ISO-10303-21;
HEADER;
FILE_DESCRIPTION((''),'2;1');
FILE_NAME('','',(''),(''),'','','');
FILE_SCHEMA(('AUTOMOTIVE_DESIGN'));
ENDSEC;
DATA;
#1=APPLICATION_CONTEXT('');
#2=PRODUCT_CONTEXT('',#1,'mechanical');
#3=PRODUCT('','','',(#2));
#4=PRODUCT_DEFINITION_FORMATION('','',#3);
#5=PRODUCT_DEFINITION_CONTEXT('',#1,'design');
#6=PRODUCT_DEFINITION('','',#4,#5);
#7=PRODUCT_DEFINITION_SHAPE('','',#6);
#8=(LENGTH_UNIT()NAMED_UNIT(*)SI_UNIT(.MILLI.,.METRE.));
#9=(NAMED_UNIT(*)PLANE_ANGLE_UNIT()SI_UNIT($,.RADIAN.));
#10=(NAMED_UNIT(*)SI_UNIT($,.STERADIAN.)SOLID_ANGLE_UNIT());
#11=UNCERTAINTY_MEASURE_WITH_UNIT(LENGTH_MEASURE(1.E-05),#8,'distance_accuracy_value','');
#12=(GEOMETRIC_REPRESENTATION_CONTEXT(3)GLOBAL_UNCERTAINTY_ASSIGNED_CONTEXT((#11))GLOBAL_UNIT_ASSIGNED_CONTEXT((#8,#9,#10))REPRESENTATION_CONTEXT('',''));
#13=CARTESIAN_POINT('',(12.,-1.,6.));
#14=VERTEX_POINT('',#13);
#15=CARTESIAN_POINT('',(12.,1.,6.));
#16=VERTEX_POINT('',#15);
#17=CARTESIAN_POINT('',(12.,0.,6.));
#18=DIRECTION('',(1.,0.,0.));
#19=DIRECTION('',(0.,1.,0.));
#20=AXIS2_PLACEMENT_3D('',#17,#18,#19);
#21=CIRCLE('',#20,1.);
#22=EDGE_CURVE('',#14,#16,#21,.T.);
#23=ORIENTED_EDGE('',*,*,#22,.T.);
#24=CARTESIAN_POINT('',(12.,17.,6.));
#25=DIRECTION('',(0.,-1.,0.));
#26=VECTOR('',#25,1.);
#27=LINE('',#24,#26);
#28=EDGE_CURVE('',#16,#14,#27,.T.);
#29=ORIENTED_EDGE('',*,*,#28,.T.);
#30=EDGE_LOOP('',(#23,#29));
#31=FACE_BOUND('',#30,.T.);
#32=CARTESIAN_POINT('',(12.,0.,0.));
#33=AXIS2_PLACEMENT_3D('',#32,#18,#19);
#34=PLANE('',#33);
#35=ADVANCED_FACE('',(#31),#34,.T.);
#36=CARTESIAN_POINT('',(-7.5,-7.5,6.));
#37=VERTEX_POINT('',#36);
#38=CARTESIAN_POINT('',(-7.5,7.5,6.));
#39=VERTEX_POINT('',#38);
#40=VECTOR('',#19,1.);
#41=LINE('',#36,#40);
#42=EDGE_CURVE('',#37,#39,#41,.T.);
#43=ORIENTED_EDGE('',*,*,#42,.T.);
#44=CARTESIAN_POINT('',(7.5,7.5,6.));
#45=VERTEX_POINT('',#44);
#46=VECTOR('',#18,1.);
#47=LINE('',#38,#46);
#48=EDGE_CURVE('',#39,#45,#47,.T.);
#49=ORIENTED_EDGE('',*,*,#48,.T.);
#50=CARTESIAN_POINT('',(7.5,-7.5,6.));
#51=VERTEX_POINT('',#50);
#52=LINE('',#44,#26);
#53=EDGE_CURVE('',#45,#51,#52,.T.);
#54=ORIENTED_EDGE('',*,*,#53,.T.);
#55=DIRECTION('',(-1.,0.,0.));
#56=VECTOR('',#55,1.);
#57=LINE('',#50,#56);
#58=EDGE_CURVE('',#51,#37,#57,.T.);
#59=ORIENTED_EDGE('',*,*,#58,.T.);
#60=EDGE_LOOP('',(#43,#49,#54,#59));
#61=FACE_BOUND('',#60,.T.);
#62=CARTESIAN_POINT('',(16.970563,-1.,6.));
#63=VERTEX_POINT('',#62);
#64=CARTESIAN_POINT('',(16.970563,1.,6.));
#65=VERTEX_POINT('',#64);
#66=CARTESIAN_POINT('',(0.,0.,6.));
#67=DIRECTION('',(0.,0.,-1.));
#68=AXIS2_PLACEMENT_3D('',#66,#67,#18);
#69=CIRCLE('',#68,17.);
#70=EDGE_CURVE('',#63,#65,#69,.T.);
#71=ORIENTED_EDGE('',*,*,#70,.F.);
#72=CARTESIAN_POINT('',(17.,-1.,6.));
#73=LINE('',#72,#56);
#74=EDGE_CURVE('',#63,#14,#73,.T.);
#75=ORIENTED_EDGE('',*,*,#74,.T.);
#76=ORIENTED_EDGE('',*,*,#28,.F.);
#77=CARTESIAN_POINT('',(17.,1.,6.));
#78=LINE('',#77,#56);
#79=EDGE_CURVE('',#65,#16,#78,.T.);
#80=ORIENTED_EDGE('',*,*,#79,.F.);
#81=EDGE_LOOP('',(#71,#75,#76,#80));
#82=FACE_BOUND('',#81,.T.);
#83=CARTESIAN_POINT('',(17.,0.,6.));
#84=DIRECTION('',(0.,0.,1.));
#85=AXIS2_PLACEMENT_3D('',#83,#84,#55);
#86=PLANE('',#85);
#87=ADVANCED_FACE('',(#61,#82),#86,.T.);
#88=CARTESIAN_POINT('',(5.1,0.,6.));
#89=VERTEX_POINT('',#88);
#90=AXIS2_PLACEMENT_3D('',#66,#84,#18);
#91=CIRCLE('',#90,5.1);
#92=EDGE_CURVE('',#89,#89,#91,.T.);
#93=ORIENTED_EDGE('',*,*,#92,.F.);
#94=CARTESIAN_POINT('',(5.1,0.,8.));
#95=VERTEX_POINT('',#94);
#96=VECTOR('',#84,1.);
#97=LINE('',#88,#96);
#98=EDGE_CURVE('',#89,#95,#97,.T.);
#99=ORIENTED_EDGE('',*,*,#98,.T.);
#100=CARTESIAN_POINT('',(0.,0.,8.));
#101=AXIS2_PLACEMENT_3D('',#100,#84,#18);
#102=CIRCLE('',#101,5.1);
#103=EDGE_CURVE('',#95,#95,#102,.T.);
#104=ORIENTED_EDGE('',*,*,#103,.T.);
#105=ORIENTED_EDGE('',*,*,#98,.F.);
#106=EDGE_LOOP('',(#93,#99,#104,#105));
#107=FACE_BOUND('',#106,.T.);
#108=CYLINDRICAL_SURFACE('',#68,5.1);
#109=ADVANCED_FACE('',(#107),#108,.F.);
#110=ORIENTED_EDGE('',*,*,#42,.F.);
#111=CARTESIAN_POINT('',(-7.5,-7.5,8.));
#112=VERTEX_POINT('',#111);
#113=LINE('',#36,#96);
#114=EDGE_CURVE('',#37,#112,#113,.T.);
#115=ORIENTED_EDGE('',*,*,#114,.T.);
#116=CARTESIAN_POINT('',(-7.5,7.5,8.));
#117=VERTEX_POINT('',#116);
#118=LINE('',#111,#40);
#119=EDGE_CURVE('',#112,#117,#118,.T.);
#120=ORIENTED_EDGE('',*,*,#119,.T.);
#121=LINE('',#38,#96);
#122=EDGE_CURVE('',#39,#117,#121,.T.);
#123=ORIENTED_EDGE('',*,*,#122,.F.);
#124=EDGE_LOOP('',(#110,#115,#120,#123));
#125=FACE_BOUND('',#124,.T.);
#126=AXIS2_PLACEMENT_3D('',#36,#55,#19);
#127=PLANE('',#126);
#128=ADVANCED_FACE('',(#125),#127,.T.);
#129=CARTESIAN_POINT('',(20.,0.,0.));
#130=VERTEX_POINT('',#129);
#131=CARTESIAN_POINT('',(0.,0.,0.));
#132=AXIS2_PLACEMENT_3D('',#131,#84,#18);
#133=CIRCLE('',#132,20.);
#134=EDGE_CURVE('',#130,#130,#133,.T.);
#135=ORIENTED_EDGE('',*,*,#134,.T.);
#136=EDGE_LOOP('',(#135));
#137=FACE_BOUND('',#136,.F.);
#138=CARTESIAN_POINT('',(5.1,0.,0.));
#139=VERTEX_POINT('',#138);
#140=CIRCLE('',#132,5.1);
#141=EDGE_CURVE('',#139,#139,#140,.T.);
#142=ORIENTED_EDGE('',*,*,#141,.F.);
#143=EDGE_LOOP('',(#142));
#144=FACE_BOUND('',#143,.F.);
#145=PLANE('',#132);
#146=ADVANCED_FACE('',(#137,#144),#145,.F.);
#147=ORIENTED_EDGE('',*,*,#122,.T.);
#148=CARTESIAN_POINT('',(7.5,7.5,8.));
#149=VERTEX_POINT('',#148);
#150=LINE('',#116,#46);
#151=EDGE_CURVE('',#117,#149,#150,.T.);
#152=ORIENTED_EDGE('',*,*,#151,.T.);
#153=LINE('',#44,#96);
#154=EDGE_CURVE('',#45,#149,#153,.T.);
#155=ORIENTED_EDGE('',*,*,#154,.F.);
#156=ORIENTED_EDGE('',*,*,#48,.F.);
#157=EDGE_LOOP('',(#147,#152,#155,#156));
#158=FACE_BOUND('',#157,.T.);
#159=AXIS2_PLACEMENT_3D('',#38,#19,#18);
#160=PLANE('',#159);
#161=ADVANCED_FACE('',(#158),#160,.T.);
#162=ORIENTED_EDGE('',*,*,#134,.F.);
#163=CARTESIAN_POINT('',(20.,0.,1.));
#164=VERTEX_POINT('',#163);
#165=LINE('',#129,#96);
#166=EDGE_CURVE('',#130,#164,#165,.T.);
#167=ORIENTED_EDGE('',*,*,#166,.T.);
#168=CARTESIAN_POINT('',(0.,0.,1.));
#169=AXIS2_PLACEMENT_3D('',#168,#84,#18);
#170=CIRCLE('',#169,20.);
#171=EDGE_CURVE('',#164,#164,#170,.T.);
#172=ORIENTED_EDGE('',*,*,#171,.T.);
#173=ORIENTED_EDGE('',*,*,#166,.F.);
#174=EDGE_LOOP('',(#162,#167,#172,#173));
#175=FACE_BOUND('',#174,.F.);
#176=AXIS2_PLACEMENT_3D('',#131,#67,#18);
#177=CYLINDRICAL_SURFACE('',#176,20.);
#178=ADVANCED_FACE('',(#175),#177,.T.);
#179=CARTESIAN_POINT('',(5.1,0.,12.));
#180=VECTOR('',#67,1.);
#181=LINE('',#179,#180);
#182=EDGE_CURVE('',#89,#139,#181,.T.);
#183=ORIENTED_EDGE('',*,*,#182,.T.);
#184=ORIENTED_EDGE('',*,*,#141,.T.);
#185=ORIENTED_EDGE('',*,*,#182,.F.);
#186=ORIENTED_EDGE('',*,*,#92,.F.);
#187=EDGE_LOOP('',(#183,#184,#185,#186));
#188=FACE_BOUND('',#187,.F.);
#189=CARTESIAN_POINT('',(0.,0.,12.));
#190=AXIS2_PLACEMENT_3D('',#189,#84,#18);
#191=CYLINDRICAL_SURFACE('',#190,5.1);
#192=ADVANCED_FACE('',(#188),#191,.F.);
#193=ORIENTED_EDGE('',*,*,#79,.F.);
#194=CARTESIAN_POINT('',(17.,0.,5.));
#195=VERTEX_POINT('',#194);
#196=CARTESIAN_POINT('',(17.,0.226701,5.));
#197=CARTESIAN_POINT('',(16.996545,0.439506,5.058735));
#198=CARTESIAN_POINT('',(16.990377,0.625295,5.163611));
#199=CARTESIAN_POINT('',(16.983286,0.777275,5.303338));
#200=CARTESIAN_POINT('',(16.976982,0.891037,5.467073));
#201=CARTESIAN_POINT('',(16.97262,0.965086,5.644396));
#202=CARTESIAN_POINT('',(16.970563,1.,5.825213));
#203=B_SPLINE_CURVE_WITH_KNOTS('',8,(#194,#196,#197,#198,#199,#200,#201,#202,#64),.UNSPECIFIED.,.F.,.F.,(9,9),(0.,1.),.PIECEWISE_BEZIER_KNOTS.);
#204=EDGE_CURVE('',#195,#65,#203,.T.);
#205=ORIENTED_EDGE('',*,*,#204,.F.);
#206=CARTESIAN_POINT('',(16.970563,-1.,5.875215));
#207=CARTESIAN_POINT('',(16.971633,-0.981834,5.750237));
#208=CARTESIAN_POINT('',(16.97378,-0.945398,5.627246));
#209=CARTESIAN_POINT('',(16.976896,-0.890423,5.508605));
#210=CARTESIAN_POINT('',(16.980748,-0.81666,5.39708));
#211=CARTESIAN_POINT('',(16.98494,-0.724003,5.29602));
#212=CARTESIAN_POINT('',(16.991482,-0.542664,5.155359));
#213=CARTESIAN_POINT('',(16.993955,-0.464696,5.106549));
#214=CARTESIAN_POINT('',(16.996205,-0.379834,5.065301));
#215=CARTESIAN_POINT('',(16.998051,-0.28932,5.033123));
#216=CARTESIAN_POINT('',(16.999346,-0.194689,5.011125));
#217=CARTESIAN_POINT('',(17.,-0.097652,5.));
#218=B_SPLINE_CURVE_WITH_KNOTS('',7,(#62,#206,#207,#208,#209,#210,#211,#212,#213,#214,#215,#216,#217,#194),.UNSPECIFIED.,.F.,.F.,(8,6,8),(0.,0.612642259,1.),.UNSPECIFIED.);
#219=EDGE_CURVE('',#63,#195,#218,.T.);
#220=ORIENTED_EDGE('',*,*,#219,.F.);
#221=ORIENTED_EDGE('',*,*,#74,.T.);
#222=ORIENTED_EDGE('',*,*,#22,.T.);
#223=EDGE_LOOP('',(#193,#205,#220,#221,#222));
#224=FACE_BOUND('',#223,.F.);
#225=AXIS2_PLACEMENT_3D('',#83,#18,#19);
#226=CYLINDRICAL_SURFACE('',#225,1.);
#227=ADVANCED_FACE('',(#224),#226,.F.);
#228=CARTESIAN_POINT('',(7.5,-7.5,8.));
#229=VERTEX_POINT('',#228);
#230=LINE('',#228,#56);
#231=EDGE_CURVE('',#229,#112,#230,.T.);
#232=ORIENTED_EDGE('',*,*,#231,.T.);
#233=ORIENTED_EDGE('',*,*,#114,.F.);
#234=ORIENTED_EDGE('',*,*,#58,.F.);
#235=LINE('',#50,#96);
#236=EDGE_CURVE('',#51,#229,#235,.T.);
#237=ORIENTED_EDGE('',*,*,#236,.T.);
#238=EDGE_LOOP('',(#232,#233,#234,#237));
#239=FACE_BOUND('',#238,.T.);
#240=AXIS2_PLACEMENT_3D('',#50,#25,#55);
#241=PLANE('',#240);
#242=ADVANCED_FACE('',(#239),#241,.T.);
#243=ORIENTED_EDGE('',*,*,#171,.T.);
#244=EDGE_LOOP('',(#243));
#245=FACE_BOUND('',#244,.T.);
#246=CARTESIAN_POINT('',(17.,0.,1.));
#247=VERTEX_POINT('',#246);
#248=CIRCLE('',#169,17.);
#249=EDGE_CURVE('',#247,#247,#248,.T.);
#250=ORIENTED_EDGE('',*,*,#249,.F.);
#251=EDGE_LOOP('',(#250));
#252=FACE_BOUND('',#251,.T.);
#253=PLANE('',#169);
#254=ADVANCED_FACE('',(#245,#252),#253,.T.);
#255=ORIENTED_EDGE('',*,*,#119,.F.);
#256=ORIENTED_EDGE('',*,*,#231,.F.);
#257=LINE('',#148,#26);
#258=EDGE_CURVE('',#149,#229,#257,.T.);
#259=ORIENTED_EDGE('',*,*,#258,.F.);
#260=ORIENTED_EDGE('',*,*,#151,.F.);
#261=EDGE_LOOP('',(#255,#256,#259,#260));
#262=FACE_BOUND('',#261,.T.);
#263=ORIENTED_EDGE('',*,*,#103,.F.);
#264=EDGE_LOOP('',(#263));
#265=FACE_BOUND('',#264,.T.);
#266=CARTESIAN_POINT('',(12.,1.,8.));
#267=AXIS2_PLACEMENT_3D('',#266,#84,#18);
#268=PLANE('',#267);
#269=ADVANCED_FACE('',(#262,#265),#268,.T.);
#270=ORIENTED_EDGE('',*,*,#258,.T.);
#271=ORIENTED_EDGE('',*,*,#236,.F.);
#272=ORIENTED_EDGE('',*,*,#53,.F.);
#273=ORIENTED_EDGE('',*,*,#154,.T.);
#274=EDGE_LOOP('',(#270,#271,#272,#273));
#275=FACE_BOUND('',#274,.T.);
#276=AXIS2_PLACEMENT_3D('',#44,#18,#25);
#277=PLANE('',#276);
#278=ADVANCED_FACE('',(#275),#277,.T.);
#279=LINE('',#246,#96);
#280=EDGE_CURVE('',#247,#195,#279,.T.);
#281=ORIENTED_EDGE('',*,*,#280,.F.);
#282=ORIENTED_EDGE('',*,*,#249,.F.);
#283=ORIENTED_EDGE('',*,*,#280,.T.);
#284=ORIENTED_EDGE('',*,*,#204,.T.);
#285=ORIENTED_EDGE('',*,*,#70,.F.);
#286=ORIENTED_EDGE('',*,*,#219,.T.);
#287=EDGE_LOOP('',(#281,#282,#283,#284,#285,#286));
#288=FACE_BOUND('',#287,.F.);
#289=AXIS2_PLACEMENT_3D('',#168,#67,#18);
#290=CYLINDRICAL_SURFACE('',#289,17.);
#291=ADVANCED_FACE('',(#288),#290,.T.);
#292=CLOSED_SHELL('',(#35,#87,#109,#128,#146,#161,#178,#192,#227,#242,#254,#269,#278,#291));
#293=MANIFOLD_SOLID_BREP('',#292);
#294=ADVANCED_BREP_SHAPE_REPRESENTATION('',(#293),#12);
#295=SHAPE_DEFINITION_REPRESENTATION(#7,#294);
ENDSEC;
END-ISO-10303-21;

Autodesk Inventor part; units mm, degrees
ref_plane "XZ Plane" through (0, 0, 0) normal (0, 1, 0) x (-1, 0, 0)
ref_plane "XY Plane" through (0, 0, 0) normal (0, 0, 1) x (1, 0, 0)
sketch "Skizze1" plane through (0, 0, 0) normal (0, 0, 1) x (1, 0, 0)
  circle A0 centre (0, 0) radius 20
  dimension "d0" = 40
extrude "Extrusion1" add sketch "Skizze1" along normal blind 1
sketch "Skizze2" plane through (0, 0, 1) normal (0, 0, 1) x (1, 0, 0)
  circle A0 centre (0, 0) radius 20 projected
  circle A1 centre (0, 0) radius 17
  dimension "d3" = 34
extrude "Extrusion2" add sketch "Skizze2" along normal blind 10 contours A1
sketch "Skizze3" plane through (0, 0, 11) normal (0, 0, 1) x (1, 0, 0)
  circle A0 centre (0, 0) radius 17 projected
  circle A1 centre (0, 0) radius 20
  dimension "d6" = 40
extrude "Extrusion3" add sketch "Skizze3" along normal blind 1 contours A0 | A1
sketch "Skizze6" plane through (0, 0, 12) normal (0, 0, 1) x (1, 0, 0)
  circle A0 centre (0, 0) radius 20 projected
  circle A1 centre (0, 0) radius 5.1
  dimension "d16" = 10.2
extrude "Extrusion6" cut sketch "Skizze6" against normal through all contours A1
sketch "Skizze7" plane through (0, 0, 0) normal (0, 1, 0) x (-1, 0, 0)
  line L0 (17, 1) -> (17, 11) projected
  line L1 (-17, 1) -> (-17, 11) projected
  line L2 (20, 0) -> (-20, 0) projected
  line L3 (20, 0) -> (20, 1) projected
  line L4 (20, 1) -> (-20, 1) projected
  line L5 (-17, 1) -> (-17, 11) projected
  line L6 (20, 0) -> (-20, 0)
  line L7 (-20, 0) -> (-20, 6)
  line L8 (-20, 6) -> (20, 6)
  line L9 (20, 6) -> (20, 0)
  line L10 (20, 12) -> (-20, 12) projected
  point P0 (0, 0)
  dimension "d19" = 6
  dimension "d20" = 12
extrude "Extrusion7" cut sketch "Skizze7" along normal through all both and the other way through all keep common part
ref_plane "Arbeitsebene2" through (17, 0, 0) normal (1, 0, 0) x (0, 1, 0)
sketch "Skizze9" plane through (17, 0, 0) normal (1, 0, 0) x (0, 1, 0)
  line L0 (17, 6) -> (-17, 6) projected
  circle A0 centre (0, 6) radius 1
  point P0 (0, 0)
  point P1 (-1, 6)
  point P2 (1, 6)
  dimension "d24" = 2
extrude "Extrusion8" cut sketch "Skizze9" against normal blind 5 contours A0 L0 picked at (0.0402, 5.6691)
sketch "Skizze10" plane through (12, 1, 6) normal (0, 0, 1) x (1, 0, 0)
  circle A0 centre (-12, -1) radius 5.1 projected
  line L0 (-19.5, 6.5) -> (-4.5, 6.5)
  line L1 (-4.5, 6.5) -> (-4.5, -8.5)
  line L2 (-4.5, -8.5) -> (-19.5, -8.5)
  line L3 (-19.5, -8.5) -> (-19.5, 6.5)
  line L4 (-19.5, 6.5) -> (-4.5, -8.5) construction
  line L5 (-4.5, 6.5) -> (-19.5, -8.5) construction
  dimension "d27" = 15
  dimension "d28" = 15
extrude "Extrusion9" add sketch "Skizze10" along normal blind 2
equation "\"d19\" = 0.5 * d20"
equation "\"d28\" = d27"
properties part number "Motorstange_version2a"
